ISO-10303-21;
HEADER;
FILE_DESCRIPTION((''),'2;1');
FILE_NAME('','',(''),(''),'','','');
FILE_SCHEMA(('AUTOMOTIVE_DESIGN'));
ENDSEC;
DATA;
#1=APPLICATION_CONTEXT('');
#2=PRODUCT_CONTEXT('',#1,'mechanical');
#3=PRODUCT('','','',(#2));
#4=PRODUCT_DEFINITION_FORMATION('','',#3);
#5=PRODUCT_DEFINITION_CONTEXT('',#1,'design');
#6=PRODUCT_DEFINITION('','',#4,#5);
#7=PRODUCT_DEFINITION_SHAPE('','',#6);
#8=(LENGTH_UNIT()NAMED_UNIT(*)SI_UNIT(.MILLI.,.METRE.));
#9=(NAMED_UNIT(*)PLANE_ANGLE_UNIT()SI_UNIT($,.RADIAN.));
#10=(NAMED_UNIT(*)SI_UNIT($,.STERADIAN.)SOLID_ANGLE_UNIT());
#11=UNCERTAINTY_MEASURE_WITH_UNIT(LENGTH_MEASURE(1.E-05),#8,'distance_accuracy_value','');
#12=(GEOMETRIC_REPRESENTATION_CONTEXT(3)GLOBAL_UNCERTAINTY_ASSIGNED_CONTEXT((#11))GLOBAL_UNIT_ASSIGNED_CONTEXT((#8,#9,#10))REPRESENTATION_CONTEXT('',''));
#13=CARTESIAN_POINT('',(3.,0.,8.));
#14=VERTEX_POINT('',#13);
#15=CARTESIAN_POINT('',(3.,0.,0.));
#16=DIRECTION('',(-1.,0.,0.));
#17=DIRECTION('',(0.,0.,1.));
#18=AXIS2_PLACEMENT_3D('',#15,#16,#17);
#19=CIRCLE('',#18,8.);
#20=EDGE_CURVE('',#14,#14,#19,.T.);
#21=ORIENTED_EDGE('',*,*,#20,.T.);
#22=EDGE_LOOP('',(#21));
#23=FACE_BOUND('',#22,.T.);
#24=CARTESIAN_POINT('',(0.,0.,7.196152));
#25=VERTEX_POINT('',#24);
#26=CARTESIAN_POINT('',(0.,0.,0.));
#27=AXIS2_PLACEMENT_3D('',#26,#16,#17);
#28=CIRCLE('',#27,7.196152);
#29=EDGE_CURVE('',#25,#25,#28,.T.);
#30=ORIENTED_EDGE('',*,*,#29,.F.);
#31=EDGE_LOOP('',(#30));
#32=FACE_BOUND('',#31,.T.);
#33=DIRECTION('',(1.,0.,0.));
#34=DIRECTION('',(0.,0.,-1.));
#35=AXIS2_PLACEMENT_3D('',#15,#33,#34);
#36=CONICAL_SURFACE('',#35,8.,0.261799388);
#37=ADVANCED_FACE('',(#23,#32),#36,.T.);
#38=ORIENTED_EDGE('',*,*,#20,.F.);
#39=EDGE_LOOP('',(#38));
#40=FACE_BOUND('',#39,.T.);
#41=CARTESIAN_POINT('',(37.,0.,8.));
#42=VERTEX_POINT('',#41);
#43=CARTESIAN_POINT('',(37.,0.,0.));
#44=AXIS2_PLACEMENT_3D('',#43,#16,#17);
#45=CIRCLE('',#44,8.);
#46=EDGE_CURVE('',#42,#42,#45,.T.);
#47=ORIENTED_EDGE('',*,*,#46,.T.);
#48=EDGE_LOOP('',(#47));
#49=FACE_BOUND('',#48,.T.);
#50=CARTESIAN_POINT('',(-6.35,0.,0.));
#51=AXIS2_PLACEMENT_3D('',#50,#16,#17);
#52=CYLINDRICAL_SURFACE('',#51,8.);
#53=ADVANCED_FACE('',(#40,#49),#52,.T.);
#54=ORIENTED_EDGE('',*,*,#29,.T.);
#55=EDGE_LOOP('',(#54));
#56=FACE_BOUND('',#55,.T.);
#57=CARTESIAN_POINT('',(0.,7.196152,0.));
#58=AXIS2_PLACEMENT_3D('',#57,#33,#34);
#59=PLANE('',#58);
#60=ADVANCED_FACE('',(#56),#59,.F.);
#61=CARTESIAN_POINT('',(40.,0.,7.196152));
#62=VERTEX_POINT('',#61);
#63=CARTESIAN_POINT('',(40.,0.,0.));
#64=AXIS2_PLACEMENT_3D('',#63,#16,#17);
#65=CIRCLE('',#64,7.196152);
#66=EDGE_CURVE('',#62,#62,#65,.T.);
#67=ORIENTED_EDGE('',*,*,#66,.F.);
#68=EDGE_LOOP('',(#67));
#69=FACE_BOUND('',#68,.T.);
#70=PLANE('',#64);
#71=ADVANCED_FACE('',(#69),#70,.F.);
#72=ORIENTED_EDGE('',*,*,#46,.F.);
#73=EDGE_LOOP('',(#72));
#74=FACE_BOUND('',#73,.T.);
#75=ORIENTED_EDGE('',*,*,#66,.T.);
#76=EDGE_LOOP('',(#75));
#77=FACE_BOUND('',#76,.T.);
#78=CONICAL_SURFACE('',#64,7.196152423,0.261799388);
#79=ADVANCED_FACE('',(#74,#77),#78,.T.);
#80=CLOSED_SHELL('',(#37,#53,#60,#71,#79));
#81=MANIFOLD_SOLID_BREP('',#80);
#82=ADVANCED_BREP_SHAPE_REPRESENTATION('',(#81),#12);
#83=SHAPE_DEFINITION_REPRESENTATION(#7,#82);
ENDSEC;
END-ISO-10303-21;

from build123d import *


with BuildPart() as part:
    # Sketch1 → Base-Revolve (revolve)
    with BuildSketch(Plane.XY, mode=Mode.PRIVATE) as base_revolve_sk:
        Polygon((0, 0), (40, 0), (40, 7.196152423), (37, 8), (3, 8), (0, 7.196152423), align=None)
    revolve(base_revolve_sk.sketch.rotate(Axis((-6.35, 0, 0), (1, 0, 0)), 90), axis=Axis((-6.35, 0, 0), (1, 0, 0)))


solid = part.part
